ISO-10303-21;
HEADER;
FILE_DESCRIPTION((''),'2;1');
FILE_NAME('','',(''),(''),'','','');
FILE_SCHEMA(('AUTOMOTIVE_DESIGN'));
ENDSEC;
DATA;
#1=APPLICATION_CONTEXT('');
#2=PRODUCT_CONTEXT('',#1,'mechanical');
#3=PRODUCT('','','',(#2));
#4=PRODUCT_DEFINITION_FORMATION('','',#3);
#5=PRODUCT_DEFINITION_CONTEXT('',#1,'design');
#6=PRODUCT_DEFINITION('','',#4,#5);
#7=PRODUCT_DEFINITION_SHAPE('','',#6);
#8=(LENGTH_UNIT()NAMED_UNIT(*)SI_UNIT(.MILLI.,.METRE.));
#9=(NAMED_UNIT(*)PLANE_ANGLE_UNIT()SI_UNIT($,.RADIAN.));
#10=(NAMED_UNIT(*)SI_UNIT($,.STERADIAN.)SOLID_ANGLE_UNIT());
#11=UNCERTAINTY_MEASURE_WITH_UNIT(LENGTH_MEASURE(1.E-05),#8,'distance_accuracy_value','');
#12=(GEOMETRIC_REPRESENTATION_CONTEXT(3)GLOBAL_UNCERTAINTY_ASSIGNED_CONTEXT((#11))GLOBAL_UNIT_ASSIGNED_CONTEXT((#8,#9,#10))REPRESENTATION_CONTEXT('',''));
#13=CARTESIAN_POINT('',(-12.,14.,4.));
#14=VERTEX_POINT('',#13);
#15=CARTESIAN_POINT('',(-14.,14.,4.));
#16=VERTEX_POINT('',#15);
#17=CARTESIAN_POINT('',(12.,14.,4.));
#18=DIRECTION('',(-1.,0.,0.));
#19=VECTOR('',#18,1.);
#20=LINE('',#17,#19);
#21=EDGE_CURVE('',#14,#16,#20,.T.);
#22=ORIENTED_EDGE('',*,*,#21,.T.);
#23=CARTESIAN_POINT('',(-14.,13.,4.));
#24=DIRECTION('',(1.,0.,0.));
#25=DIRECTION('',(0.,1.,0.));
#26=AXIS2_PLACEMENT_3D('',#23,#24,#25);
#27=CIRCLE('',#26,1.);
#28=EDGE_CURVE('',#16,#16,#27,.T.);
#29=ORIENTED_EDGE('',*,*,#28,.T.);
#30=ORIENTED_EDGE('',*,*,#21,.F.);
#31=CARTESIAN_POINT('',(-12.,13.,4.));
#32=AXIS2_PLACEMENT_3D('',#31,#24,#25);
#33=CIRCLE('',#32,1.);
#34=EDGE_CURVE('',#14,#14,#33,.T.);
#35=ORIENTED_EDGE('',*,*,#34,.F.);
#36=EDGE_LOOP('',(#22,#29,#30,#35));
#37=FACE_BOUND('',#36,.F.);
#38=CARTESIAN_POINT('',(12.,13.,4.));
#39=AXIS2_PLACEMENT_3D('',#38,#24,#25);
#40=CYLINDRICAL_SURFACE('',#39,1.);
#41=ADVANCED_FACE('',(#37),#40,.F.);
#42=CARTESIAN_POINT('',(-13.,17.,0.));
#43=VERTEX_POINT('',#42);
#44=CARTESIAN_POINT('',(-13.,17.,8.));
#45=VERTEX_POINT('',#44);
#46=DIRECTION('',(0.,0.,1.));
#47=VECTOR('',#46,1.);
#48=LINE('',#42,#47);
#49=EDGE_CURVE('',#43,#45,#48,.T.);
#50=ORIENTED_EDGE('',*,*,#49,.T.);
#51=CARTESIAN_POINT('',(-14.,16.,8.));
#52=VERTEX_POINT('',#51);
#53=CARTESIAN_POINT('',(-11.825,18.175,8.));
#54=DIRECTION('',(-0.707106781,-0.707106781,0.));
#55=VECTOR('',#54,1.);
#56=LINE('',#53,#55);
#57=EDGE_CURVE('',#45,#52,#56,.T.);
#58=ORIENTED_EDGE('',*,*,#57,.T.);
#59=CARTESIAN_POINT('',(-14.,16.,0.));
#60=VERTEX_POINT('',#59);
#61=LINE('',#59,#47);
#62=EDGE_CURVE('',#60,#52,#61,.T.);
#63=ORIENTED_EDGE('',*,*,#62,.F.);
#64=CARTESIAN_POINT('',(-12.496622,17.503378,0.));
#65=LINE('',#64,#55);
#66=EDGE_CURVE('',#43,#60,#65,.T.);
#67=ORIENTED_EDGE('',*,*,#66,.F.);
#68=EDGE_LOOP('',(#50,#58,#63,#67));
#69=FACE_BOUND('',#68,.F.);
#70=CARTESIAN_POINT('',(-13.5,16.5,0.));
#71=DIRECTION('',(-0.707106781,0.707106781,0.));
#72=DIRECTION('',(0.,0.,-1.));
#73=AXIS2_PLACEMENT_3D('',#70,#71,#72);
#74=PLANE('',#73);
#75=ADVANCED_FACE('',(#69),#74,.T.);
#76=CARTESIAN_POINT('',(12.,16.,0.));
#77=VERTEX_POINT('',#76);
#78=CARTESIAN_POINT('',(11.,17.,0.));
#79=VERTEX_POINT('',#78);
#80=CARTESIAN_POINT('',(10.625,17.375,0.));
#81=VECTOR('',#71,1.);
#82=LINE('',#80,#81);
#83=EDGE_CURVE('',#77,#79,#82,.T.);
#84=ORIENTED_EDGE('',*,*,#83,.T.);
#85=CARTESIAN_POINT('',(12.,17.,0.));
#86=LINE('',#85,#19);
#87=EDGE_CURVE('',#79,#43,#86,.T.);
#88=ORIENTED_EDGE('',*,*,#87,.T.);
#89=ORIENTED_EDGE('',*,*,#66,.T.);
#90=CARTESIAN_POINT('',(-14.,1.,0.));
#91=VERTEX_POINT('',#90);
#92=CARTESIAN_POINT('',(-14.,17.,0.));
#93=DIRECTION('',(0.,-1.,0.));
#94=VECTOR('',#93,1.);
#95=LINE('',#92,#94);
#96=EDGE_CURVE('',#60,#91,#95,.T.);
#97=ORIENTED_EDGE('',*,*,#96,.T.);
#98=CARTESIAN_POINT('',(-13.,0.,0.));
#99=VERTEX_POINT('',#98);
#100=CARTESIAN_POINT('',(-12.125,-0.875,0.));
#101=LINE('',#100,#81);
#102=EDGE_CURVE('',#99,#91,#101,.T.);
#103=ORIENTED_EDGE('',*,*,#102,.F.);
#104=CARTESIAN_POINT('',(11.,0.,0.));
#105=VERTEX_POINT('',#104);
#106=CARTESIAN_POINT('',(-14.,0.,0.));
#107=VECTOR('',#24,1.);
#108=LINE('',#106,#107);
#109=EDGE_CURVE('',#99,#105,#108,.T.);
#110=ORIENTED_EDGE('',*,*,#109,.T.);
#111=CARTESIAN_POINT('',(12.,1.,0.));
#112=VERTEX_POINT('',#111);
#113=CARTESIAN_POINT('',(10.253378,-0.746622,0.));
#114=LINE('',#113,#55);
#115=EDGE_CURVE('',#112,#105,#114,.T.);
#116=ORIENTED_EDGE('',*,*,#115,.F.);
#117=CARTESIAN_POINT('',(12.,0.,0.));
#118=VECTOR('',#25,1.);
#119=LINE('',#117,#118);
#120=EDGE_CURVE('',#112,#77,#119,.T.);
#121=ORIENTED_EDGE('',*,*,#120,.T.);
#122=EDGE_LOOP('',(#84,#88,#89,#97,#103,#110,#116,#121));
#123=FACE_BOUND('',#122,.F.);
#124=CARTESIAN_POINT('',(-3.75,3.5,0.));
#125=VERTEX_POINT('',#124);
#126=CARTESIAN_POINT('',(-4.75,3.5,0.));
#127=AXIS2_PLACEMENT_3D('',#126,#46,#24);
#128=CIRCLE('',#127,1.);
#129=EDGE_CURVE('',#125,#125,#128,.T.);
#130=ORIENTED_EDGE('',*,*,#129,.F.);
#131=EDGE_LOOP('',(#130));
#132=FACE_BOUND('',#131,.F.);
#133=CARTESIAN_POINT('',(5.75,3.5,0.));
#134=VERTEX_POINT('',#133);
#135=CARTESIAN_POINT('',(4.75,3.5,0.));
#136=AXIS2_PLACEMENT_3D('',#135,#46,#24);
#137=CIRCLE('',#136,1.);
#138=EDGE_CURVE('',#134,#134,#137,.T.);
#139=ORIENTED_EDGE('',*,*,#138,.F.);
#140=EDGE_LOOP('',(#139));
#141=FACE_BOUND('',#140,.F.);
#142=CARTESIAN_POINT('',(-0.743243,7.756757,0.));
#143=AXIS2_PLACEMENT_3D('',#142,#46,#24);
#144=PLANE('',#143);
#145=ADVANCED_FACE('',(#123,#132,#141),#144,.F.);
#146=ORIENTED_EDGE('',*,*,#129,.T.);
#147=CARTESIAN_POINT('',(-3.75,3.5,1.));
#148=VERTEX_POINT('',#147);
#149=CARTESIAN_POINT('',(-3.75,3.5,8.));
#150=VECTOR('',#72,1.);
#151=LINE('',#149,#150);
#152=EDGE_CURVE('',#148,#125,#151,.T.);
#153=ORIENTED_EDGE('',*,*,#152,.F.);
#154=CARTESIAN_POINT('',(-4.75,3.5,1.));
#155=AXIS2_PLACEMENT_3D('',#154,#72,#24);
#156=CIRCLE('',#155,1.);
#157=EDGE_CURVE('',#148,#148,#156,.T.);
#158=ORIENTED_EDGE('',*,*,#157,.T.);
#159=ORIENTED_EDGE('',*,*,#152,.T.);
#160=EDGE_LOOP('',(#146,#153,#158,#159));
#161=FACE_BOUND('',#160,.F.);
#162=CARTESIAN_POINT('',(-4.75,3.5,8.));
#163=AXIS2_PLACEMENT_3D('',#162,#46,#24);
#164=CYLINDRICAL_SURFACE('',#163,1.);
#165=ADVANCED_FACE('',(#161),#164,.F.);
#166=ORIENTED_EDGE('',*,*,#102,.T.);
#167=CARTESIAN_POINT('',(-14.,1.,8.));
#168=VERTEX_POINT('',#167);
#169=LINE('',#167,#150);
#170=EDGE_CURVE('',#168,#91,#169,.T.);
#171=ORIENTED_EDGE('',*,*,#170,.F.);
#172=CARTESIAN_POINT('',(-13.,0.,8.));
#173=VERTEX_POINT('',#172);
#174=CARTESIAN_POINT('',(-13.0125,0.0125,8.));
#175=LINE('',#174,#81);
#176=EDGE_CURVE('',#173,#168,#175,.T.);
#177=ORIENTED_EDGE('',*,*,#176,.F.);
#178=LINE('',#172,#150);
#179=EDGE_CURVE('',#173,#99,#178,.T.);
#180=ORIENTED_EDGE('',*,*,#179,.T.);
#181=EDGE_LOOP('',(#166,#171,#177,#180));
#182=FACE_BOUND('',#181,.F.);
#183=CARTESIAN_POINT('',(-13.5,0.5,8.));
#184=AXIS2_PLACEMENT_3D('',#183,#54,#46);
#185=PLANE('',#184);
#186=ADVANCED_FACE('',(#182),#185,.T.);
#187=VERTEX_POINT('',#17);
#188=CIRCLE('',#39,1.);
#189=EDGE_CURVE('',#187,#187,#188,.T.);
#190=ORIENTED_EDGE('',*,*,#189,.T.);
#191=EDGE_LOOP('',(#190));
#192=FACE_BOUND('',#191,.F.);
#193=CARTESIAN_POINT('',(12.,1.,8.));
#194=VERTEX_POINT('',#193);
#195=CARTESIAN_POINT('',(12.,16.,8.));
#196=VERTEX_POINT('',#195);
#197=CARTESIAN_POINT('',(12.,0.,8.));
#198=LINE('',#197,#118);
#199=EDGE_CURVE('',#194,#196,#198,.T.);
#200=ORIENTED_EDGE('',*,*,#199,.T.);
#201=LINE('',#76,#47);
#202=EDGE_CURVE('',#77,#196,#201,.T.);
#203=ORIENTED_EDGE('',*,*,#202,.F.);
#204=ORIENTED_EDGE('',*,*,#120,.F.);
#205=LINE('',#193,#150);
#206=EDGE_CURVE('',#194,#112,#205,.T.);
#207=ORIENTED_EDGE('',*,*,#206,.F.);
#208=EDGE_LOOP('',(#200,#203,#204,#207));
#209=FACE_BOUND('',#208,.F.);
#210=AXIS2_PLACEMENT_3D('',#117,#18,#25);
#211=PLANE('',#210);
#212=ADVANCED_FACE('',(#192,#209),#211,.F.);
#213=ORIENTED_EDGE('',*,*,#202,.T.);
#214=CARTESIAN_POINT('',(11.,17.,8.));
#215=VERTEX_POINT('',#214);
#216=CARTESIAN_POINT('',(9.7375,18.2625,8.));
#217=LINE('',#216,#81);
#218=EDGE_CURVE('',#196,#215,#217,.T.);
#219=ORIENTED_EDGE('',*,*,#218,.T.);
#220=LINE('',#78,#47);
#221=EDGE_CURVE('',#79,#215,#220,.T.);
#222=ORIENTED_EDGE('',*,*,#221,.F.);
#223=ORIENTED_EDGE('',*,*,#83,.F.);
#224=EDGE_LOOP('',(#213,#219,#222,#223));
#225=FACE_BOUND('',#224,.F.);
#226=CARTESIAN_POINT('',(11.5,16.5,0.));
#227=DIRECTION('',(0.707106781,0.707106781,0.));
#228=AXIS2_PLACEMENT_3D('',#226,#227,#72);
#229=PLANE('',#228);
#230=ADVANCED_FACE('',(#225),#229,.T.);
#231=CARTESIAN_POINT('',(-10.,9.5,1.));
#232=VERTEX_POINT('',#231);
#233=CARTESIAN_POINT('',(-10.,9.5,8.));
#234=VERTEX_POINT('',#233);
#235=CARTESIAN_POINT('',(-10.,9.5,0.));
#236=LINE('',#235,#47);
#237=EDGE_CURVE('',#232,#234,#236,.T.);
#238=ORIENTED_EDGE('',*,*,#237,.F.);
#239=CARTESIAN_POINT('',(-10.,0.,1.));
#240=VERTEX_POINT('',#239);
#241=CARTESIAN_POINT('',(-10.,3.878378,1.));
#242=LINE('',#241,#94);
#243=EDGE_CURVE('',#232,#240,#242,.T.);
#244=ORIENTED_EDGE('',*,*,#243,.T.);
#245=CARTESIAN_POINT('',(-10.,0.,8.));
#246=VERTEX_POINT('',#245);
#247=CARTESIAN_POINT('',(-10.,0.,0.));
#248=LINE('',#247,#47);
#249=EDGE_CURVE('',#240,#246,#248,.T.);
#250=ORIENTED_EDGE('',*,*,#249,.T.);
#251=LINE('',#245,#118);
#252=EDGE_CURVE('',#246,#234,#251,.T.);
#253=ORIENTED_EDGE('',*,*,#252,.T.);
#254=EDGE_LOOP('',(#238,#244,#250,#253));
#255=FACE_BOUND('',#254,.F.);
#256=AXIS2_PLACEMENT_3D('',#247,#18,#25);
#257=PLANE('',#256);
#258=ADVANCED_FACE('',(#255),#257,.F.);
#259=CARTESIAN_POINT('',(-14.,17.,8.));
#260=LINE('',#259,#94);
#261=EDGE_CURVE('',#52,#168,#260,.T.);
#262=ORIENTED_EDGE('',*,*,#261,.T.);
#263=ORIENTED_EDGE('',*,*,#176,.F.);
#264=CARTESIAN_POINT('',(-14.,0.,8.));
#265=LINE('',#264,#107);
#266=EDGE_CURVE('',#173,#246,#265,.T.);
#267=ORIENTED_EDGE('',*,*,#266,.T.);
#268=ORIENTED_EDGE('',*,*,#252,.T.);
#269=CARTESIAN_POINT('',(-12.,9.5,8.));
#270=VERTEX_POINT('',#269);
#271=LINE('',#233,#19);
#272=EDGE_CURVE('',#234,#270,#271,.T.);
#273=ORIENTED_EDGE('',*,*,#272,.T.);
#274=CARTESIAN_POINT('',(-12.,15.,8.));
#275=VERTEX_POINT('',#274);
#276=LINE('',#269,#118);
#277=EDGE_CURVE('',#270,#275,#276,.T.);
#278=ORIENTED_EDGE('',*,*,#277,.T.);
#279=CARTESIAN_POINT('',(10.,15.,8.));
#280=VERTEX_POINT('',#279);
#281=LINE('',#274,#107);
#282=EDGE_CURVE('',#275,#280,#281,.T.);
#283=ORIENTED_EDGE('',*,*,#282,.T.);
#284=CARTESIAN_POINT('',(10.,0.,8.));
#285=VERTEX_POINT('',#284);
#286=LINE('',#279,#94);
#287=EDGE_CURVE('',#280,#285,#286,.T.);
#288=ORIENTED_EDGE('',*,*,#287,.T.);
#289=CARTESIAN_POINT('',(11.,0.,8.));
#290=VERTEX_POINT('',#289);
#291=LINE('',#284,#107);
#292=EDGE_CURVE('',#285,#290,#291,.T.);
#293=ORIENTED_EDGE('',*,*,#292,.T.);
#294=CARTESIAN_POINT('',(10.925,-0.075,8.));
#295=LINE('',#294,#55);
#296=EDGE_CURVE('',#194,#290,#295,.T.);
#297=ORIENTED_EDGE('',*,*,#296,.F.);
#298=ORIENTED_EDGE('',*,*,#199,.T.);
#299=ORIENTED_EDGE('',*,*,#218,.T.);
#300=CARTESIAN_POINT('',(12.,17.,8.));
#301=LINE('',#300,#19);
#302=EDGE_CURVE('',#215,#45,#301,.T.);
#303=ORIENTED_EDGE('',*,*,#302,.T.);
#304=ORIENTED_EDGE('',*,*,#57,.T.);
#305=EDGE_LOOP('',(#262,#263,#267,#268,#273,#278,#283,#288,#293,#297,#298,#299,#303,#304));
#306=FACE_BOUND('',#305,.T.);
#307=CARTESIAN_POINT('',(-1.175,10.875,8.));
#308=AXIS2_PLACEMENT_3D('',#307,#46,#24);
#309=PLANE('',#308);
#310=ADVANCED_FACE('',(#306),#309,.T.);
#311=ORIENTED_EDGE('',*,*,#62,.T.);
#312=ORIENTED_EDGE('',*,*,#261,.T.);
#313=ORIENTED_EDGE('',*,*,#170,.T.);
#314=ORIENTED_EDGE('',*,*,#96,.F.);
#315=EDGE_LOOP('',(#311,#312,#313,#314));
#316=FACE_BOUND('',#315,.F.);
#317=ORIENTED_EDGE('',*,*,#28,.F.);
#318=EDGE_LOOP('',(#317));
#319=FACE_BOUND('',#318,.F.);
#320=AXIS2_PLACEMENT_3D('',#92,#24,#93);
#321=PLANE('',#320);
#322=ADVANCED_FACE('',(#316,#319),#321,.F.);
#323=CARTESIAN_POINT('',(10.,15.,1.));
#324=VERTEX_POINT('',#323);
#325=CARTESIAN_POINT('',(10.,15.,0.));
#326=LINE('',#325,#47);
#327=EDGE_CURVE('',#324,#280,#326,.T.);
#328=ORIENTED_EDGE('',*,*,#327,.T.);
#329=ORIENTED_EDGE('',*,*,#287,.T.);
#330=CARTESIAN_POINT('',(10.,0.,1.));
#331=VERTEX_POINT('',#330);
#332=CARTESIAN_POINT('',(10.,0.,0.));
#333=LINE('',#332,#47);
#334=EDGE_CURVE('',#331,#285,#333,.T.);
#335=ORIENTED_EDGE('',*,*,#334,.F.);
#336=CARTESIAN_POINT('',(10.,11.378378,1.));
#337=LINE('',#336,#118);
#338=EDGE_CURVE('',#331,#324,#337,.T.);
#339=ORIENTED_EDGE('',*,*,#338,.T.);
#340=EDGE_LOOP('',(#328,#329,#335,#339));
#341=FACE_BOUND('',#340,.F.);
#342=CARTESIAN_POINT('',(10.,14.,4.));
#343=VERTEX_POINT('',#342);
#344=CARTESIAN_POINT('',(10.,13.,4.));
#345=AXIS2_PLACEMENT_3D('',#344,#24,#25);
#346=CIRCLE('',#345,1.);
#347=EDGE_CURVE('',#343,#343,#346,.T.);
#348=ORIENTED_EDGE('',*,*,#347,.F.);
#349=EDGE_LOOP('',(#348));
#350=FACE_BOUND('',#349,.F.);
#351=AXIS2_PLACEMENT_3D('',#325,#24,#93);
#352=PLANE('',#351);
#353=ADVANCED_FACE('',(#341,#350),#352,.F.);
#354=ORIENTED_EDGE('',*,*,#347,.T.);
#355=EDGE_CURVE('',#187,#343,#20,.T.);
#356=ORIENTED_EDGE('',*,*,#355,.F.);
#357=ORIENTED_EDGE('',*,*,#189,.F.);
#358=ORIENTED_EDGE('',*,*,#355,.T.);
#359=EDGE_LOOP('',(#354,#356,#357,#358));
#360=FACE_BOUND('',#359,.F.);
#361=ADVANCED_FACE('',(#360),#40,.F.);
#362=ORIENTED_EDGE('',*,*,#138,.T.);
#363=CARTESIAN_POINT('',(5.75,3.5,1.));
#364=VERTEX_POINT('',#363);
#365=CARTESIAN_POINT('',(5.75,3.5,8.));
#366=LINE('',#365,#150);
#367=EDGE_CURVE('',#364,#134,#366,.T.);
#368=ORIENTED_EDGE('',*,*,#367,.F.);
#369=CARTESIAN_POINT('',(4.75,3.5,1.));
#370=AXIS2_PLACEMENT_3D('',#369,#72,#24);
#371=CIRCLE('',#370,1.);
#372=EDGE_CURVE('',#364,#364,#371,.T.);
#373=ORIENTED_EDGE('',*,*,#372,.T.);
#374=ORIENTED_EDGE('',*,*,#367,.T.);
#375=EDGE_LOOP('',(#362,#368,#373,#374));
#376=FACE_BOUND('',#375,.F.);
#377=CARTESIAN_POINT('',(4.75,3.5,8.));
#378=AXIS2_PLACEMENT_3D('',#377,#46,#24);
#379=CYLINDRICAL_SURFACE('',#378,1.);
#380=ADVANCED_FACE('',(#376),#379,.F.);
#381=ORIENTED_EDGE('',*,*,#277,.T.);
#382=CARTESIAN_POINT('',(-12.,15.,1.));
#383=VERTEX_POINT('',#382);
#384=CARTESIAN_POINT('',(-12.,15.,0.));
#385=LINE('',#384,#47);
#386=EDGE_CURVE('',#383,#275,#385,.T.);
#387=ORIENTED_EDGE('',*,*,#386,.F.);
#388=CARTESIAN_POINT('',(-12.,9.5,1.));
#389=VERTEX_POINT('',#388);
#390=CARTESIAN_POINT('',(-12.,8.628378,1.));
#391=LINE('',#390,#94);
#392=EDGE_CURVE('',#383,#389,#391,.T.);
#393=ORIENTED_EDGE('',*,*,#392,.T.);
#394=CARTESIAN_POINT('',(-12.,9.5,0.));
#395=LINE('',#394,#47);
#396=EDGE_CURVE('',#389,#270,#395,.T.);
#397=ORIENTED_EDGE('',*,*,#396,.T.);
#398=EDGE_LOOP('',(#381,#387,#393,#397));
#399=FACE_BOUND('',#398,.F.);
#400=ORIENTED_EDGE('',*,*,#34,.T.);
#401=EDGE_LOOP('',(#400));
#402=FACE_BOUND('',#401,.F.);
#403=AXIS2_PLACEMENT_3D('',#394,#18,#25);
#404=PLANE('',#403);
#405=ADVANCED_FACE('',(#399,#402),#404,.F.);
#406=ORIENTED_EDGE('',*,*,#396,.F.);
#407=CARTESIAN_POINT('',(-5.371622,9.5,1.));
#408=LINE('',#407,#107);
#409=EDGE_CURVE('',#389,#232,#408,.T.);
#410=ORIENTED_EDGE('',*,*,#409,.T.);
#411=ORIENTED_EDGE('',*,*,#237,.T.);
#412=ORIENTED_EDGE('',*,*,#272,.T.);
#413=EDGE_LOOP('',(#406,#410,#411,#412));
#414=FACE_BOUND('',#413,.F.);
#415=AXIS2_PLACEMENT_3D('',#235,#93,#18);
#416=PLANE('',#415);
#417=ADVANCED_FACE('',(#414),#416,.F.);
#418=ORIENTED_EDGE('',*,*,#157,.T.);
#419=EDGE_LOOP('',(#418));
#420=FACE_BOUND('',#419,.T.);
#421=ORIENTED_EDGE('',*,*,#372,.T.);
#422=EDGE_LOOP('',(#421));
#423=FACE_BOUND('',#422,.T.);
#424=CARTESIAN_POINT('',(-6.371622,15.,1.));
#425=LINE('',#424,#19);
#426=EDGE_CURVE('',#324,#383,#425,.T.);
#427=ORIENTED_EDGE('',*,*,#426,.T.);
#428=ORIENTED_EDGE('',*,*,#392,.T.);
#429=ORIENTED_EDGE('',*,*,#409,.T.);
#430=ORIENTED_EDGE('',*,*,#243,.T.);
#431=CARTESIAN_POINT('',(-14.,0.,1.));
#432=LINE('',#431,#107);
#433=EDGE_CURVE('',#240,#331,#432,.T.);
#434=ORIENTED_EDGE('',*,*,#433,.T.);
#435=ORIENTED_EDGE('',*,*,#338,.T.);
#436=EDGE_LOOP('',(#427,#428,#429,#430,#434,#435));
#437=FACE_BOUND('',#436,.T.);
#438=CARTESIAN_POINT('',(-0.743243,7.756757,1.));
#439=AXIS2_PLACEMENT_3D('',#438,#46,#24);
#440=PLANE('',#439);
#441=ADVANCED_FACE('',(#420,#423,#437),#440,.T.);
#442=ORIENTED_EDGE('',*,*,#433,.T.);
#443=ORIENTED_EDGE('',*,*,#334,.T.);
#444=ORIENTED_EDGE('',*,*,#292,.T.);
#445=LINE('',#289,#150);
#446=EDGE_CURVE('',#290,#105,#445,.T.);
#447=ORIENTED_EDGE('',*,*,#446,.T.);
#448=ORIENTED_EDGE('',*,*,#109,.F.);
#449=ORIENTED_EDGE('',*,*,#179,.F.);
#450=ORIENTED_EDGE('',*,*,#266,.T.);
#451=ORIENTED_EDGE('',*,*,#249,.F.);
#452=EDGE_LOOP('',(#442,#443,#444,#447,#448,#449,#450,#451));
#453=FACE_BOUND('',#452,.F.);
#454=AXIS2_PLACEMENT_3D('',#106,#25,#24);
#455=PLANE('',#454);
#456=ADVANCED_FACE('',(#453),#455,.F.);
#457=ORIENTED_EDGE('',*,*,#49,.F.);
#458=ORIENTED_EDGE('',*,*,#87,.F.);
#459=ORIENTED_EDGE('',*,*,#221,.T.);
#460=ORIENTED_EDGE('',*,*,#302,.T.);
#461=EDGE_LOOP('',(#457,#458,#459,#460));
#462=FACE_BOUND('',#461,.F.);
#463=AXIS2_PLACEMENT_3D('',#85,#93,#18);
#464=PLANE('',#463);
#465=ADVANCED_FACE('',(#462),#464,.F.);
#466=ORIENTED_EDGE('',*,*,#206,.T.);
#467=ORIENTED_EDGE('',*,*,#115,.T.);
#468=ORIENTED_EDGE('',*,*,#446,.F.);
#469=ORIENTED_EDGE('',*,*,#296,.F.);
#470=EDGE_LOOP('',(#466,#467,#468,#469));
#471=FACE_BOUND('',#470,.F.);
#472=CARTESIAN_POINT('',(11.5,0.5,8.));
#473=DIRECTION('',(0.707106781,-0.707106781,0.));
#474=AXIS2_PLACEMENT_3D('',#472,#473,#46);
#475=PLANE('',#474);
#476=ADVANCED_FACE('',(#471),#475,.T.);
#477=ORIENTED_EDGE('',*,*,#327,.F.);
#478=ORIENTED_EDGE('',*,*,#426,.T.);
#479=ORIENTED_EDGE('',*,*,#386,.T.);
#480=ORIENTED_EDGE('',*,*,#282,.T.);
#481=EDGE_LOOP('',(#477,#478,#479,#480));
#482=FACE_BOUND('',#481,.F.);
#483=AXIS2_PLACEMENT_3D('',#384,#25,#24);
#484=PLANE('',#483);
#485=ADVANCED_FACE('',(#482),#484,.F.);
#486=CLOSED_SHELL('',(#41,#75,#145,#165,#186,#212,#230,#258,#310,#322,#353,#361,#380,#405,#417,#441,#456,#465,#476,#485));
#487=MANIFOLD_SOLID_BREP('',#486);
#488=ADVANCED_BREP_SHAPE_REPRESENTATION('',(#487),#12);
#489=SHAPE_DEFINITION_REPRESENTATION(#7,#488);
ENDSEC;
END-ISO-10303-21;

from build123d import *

# Parameters (mm, degrees)
F0_R     = 1
F1_DEPTH = 1
F2_DEPTH = 8
F3_DEPTH = 10
F4_R     = 1
F5_DEPTH = 30
F6_SIZE  = 1


with BuildPart() as f1:
    # F0 (on Top) → F1 (new body)
    with BuildSketch(Plane.XY):
        Polygon((-10, 9.5), (-10, 0), (10, 0), (10, 9.5), (10, 15), (-12, 15), (-12, 9.5), align=None)
        with Locations((-4.75, 3.5)):
            Circle(F0_R, mode=Mode.SUBTRACT)
        with Locations((4.75, 3.5)):
            Circle(F0_R, mode=Mode.SUBTRACT)
        with Locations((-4.75, 3.5)):
            Circle(F0_R)
        with Locations((4.75, 3.5)):
            Circle(F0_R)
        Polygon((-14, 0), (-10, 0), (-10, 9.5), (-12, 9.5), (-12, 15), (10, 15), (10, 9.5), (10, 0), (12, 0), (12, 17), (-14, 17), align=None)
    extrude(amount=F1_DEPTH)

    # F0 (on Top) → F2 (join)
    with BuildSketch(Plane.XY):
        Polygon((-14, 0), (-10, 0), (-10, 9.5), (-12, 9.5), (-12, 15), (10, 15), (10, 9.5), (10, 0), (12, 0), (12, 17), (-14, 17), align=None)
        with Locations((-4.75, 3.5)):
            Circle(F0_R)
        with Locations((4.75, 3.5)):
            Circle(F0_R)
    extrude(amount=F2_DEPTH)

    # F3 (cut): faces of the model
    f3_faces = [f1.faces().sort_by_distance(p)[0] for p in [
        (-4.75, 3.5, 8),
        (4.75, 3.5, 8),
    ]]
    extrude(f3_faces, amount=-F3_DEPTH, mode=Mode.SUBTRACT)

    # F4 (on face) → F5 (cut)
    with BuildSketch(Plane.YZ.offset(12)):
        with Locations((13, 4)):
            Circle(F4_R)
    extrude(amount=-F5_DEPTH, mode=Mode.SUBTRACT)

    # F6
    f6_edges = [f1.edges().sort_by_distance(p)[0] for p in [
        (-14, 17, 4),
        (12, 17, 4),
        (-14, 0, 4),
        (12, 0, 4),
    ]]
    chamfer(f6_edges, length=F6_SIZE)


solid = f1.part
